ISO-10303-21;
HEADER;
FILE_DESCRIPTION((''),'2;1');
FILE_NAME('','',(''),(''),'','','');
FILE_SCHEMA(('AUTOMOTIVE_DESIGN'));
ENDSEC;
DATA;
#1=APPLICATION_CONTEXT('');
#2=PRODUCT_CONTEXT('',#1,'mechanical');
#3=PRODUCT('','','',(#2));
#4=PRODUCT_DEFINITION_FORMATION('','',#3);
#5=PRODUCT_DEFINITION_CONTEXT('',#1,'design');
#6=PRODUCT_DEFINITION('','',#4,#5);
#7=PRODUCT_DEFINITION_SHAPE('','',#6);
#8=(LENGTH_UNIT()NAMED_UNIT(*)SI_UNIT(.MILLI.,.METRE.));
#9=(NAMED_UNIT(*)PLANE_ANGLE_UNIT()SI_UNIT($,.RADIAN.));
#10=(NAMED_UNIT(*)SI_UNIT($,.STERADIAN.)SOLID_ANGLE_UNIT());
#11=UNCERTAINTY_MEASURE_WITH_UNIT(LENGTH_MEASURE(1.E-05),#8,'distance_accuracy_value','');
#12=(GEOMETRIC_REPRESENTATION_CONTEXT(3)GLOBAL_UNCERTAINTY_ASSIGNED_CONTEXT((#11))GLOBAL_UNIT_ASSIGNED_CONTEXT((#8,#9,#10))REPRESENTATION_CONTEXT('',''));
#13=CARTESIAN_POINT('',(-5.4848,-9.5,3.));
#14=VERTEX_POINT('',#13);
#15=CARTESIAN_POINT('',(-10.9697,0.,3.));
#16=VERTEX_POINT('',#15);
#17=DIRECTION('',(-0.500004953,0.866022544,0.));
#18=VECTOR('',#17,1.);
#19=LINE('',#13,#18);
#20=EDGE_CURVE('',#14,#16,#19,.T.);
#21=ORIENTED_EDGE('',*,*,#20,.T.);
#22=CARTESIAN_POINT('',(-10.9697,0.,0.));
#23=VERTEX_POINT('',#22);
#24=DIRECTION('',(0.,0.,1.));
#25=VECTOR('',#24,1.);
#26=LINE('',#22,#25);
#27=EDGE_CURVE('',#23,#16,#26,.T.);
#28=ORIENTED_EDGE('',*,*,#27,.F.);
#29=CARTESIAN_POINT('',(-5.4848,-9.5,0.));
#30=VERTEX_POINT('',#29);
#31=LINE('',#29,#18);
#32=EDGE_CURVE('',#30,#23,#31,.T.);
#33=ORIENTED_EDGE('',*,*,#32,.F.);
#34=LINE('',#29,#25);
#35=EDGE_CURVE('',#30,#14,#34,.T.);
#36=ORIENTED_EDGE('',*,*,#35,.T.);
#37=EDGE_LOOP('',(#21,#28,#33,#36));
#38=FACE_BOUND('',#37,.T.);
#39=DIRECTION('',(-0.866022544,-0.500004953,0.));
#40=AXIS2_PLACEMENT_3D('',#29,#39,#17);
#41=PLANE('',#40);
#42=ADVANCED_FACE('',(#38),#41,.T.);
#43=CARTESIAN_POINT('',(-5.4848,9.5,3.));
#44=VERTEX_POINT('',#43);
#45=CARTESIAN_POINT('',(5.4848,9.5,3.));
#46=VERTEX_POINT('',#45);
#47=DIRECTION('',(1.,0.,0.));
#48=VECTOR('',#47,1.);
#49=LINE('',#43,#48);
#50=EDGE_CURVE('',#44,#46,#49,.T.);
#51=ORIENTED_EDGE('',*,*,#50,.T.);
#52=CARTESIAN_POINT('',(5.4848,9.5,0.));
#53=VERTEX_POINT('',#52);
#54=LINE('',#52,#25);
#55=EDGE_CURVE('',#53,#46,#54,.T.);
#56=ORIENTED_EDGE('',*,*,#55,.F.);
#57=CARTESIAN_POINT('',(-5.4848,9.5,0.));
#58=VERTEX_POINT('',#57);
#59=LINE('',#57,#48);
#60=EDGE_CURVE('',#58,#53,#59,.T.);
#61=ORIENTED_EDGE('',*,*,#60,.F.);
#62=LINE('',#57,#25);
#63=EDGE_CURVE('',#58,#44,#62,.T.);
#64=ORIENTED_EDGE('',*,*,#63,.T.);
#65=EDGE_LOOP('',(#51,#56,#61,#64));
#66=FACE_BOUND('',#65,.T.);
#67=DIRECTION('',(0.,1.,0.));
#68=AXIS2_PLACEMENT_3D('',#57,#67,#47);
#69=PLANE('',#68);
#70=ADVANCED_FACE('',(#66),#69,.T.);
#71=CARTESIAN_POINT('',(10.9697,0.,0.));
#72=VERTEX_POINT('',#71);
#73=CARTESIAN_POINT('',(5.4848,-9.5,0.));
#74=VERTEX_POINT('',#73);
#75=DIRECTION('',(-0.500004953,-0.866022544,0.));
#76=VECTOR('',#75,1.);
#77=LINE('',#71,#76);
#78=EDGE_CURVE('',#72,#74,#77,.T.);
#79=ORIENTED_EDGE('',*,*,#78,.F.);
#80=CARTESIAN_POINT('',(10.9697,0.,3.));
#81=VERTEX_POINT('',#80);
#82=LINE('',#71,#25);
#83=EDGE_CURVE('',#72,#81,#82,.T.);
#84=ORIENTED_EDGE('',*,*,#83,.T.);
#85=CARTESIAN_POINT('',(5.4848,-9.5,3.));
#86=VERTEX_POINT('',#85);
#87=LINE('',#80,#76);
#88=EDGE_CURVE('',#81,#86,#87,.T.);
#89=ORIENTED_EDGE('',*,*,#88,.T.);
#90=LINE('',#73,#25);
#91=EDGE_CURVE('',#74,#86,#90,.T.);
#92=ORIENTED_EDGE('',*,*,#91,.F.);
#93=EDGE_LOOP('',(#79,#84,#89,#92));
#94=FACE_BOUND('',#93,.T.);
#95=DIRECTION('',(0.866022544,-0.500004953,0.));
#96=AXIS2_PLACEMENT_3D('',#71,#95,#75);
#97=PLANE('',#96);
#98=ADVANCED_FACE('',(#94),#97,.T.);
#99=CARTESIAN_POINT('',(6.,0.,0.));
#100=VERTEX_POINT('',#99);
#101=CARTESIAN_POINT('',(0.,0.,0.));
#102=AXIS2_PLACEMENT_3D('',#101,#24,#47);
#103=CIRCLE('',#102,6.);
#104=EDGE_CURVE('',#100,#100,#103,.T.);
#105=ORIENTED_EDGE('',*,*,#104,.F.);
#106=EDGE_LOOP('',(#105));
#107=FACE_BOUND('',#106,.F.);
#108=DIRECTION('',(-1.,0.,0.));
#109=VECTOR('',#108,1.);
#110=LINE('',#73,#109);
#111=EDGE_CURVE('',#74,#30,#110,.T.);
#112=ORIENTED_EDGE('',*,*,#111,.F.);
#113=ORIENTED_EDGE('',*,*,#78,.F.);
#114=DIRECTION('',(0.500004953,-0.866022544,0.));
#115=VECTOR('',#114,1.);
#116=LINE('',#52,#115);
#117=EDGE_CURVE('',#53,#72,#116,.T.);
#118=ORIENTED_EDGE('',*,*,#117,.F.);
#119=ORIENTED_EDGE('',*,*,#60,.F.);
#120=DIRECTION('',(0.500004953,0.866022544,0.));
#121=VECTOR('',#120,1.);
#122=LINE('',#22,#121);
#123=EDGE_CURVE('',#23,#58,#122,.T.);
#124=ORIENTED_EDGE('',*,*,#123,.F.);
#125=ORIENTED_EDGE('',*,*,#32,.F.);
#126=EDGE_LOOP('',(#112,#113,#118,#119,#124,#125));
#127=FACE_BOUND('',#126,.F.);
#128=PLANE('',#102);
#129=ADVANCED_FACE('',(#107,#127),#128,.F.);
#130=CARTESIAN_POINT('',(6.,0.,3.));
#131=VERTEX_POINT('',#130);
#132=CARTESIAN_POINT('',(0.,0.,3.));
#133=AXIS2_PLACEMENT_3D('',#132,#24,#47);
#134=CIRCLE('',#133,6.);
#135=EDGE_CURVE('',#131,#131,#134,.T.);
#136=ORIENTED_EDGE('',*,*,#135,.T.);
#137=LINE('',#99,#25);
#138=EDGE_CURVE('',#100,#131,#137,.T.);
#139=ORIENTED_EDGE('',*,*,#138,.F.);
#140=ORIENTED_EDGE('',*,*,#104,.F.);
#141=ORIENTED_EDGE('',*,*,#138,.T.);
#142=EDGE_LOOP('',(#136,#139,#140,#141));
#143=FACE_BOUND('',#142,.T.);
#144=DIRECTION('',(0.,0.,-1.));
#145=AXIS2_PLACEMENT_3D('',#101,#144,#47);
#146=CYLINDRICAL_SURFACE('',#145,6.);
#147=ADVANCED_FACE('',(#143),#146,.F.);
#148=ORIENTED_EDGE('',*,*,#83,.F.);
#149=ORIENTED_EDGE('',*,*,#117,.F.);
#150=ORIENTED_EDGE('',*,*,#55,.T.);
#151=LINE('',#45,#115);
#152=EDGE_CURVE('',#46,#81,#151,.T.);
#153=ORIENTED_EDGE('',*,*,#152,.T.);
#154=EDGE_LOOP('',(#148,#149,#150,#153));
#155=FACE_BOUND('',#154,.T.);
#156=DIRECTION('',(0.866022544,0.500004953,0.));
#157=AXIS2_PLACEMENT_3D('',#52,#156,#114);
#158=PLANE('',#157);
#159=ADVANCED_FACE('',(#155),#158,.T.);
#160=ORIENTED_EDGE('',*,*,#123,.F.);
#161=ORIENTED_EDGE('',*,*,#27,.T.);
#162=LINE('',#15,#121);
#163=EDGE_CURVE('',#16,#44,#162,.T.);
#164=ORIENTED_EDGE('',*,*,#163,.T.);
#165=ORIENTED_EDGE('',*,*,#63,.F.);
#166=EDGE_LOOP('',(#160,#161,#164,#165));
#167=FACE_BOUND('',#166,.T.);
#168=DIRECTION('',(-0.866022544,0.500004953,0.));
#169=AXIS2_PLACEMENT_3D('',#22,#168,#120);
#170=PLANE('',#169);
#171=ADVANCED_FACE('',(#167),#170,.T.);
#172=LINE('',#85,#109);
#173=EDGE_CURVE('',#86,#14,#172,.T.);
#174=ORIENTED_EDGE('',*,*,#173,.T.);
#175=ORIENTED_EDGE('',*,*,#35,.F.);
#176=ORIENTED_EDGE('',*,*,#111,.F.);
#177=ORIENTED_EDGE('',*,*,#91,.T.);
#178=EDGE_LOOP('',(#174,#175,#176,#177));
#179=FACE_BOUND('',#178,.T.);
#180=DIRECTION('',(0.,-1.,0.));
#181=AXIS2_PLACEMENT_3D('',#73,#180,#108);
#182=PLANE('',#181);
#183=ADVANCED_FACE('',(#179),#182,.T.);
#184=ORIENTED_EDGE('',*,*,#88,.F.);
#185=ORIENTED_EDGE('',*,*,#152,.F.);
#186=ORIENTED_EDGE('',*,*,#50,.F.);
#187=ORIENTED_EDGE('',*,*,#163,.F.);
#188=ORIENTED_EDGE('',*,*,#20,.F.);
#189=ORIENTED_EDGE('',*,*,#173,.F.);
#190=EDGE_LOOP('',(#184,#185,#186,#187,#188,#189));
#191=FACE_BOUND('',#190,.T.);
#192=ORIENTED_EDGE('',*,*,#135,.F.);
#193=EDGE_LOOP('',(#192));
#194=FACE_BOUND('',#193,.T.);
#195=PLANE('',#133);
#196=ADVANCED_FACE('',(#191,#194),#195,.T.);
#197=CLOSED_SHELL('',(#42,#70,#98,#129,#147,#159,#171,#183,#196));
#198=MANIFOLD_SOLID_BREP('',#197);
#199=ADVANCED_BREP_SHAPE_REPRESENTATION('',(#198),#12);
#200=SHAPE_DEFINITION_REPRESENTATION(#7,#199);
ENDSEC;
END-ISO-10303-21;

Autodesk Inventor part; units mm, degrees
ref_plane "YZ Plane" through (0, 0, 0) normal (1, 0, 0) x (0, 1, 0)
ref_plane "XZ Plane" through (0, 0, 0) normal (0, 1, 0) x (-1, 0, 0)
ref_plane "XY Plane" through (0, 0, 0) normal (0, 0, 1) x (1, 0, 0)
sketch "Sketch1" plane through (0, 0, 0) normal (0, 0, 1) x (1, 0, 0)
  line L0 (10.9697, 0) -> (5.4848, -9.5)
  line L1 (5.4848, -9.5) -> (-5.4848, -9.5)
  line L2 (-5.4848, -9.5) -> (-10.9697, 0)
  line L3 (-10.9697, 0) -> (-5.4848, 9.5)
  line L4 (-5.4848, 9.5) -> (5.4848, 9.5)
  line L5 (5.4848, 9.5) -> (10.9697, 0)
  circle A0 centre (0, 0) radius 6
  dimension "d0" = 12
  dimension "d1" = 19
extrude "Extrusion1" add sketch "Sketch1" along normal blind 3
thread "Thread1" size "M12x0.5" class "6H" standard "ISO Metric profile" full length
properties part number "3d_LM-Welding_Tooling -  Micrometer Nut"
